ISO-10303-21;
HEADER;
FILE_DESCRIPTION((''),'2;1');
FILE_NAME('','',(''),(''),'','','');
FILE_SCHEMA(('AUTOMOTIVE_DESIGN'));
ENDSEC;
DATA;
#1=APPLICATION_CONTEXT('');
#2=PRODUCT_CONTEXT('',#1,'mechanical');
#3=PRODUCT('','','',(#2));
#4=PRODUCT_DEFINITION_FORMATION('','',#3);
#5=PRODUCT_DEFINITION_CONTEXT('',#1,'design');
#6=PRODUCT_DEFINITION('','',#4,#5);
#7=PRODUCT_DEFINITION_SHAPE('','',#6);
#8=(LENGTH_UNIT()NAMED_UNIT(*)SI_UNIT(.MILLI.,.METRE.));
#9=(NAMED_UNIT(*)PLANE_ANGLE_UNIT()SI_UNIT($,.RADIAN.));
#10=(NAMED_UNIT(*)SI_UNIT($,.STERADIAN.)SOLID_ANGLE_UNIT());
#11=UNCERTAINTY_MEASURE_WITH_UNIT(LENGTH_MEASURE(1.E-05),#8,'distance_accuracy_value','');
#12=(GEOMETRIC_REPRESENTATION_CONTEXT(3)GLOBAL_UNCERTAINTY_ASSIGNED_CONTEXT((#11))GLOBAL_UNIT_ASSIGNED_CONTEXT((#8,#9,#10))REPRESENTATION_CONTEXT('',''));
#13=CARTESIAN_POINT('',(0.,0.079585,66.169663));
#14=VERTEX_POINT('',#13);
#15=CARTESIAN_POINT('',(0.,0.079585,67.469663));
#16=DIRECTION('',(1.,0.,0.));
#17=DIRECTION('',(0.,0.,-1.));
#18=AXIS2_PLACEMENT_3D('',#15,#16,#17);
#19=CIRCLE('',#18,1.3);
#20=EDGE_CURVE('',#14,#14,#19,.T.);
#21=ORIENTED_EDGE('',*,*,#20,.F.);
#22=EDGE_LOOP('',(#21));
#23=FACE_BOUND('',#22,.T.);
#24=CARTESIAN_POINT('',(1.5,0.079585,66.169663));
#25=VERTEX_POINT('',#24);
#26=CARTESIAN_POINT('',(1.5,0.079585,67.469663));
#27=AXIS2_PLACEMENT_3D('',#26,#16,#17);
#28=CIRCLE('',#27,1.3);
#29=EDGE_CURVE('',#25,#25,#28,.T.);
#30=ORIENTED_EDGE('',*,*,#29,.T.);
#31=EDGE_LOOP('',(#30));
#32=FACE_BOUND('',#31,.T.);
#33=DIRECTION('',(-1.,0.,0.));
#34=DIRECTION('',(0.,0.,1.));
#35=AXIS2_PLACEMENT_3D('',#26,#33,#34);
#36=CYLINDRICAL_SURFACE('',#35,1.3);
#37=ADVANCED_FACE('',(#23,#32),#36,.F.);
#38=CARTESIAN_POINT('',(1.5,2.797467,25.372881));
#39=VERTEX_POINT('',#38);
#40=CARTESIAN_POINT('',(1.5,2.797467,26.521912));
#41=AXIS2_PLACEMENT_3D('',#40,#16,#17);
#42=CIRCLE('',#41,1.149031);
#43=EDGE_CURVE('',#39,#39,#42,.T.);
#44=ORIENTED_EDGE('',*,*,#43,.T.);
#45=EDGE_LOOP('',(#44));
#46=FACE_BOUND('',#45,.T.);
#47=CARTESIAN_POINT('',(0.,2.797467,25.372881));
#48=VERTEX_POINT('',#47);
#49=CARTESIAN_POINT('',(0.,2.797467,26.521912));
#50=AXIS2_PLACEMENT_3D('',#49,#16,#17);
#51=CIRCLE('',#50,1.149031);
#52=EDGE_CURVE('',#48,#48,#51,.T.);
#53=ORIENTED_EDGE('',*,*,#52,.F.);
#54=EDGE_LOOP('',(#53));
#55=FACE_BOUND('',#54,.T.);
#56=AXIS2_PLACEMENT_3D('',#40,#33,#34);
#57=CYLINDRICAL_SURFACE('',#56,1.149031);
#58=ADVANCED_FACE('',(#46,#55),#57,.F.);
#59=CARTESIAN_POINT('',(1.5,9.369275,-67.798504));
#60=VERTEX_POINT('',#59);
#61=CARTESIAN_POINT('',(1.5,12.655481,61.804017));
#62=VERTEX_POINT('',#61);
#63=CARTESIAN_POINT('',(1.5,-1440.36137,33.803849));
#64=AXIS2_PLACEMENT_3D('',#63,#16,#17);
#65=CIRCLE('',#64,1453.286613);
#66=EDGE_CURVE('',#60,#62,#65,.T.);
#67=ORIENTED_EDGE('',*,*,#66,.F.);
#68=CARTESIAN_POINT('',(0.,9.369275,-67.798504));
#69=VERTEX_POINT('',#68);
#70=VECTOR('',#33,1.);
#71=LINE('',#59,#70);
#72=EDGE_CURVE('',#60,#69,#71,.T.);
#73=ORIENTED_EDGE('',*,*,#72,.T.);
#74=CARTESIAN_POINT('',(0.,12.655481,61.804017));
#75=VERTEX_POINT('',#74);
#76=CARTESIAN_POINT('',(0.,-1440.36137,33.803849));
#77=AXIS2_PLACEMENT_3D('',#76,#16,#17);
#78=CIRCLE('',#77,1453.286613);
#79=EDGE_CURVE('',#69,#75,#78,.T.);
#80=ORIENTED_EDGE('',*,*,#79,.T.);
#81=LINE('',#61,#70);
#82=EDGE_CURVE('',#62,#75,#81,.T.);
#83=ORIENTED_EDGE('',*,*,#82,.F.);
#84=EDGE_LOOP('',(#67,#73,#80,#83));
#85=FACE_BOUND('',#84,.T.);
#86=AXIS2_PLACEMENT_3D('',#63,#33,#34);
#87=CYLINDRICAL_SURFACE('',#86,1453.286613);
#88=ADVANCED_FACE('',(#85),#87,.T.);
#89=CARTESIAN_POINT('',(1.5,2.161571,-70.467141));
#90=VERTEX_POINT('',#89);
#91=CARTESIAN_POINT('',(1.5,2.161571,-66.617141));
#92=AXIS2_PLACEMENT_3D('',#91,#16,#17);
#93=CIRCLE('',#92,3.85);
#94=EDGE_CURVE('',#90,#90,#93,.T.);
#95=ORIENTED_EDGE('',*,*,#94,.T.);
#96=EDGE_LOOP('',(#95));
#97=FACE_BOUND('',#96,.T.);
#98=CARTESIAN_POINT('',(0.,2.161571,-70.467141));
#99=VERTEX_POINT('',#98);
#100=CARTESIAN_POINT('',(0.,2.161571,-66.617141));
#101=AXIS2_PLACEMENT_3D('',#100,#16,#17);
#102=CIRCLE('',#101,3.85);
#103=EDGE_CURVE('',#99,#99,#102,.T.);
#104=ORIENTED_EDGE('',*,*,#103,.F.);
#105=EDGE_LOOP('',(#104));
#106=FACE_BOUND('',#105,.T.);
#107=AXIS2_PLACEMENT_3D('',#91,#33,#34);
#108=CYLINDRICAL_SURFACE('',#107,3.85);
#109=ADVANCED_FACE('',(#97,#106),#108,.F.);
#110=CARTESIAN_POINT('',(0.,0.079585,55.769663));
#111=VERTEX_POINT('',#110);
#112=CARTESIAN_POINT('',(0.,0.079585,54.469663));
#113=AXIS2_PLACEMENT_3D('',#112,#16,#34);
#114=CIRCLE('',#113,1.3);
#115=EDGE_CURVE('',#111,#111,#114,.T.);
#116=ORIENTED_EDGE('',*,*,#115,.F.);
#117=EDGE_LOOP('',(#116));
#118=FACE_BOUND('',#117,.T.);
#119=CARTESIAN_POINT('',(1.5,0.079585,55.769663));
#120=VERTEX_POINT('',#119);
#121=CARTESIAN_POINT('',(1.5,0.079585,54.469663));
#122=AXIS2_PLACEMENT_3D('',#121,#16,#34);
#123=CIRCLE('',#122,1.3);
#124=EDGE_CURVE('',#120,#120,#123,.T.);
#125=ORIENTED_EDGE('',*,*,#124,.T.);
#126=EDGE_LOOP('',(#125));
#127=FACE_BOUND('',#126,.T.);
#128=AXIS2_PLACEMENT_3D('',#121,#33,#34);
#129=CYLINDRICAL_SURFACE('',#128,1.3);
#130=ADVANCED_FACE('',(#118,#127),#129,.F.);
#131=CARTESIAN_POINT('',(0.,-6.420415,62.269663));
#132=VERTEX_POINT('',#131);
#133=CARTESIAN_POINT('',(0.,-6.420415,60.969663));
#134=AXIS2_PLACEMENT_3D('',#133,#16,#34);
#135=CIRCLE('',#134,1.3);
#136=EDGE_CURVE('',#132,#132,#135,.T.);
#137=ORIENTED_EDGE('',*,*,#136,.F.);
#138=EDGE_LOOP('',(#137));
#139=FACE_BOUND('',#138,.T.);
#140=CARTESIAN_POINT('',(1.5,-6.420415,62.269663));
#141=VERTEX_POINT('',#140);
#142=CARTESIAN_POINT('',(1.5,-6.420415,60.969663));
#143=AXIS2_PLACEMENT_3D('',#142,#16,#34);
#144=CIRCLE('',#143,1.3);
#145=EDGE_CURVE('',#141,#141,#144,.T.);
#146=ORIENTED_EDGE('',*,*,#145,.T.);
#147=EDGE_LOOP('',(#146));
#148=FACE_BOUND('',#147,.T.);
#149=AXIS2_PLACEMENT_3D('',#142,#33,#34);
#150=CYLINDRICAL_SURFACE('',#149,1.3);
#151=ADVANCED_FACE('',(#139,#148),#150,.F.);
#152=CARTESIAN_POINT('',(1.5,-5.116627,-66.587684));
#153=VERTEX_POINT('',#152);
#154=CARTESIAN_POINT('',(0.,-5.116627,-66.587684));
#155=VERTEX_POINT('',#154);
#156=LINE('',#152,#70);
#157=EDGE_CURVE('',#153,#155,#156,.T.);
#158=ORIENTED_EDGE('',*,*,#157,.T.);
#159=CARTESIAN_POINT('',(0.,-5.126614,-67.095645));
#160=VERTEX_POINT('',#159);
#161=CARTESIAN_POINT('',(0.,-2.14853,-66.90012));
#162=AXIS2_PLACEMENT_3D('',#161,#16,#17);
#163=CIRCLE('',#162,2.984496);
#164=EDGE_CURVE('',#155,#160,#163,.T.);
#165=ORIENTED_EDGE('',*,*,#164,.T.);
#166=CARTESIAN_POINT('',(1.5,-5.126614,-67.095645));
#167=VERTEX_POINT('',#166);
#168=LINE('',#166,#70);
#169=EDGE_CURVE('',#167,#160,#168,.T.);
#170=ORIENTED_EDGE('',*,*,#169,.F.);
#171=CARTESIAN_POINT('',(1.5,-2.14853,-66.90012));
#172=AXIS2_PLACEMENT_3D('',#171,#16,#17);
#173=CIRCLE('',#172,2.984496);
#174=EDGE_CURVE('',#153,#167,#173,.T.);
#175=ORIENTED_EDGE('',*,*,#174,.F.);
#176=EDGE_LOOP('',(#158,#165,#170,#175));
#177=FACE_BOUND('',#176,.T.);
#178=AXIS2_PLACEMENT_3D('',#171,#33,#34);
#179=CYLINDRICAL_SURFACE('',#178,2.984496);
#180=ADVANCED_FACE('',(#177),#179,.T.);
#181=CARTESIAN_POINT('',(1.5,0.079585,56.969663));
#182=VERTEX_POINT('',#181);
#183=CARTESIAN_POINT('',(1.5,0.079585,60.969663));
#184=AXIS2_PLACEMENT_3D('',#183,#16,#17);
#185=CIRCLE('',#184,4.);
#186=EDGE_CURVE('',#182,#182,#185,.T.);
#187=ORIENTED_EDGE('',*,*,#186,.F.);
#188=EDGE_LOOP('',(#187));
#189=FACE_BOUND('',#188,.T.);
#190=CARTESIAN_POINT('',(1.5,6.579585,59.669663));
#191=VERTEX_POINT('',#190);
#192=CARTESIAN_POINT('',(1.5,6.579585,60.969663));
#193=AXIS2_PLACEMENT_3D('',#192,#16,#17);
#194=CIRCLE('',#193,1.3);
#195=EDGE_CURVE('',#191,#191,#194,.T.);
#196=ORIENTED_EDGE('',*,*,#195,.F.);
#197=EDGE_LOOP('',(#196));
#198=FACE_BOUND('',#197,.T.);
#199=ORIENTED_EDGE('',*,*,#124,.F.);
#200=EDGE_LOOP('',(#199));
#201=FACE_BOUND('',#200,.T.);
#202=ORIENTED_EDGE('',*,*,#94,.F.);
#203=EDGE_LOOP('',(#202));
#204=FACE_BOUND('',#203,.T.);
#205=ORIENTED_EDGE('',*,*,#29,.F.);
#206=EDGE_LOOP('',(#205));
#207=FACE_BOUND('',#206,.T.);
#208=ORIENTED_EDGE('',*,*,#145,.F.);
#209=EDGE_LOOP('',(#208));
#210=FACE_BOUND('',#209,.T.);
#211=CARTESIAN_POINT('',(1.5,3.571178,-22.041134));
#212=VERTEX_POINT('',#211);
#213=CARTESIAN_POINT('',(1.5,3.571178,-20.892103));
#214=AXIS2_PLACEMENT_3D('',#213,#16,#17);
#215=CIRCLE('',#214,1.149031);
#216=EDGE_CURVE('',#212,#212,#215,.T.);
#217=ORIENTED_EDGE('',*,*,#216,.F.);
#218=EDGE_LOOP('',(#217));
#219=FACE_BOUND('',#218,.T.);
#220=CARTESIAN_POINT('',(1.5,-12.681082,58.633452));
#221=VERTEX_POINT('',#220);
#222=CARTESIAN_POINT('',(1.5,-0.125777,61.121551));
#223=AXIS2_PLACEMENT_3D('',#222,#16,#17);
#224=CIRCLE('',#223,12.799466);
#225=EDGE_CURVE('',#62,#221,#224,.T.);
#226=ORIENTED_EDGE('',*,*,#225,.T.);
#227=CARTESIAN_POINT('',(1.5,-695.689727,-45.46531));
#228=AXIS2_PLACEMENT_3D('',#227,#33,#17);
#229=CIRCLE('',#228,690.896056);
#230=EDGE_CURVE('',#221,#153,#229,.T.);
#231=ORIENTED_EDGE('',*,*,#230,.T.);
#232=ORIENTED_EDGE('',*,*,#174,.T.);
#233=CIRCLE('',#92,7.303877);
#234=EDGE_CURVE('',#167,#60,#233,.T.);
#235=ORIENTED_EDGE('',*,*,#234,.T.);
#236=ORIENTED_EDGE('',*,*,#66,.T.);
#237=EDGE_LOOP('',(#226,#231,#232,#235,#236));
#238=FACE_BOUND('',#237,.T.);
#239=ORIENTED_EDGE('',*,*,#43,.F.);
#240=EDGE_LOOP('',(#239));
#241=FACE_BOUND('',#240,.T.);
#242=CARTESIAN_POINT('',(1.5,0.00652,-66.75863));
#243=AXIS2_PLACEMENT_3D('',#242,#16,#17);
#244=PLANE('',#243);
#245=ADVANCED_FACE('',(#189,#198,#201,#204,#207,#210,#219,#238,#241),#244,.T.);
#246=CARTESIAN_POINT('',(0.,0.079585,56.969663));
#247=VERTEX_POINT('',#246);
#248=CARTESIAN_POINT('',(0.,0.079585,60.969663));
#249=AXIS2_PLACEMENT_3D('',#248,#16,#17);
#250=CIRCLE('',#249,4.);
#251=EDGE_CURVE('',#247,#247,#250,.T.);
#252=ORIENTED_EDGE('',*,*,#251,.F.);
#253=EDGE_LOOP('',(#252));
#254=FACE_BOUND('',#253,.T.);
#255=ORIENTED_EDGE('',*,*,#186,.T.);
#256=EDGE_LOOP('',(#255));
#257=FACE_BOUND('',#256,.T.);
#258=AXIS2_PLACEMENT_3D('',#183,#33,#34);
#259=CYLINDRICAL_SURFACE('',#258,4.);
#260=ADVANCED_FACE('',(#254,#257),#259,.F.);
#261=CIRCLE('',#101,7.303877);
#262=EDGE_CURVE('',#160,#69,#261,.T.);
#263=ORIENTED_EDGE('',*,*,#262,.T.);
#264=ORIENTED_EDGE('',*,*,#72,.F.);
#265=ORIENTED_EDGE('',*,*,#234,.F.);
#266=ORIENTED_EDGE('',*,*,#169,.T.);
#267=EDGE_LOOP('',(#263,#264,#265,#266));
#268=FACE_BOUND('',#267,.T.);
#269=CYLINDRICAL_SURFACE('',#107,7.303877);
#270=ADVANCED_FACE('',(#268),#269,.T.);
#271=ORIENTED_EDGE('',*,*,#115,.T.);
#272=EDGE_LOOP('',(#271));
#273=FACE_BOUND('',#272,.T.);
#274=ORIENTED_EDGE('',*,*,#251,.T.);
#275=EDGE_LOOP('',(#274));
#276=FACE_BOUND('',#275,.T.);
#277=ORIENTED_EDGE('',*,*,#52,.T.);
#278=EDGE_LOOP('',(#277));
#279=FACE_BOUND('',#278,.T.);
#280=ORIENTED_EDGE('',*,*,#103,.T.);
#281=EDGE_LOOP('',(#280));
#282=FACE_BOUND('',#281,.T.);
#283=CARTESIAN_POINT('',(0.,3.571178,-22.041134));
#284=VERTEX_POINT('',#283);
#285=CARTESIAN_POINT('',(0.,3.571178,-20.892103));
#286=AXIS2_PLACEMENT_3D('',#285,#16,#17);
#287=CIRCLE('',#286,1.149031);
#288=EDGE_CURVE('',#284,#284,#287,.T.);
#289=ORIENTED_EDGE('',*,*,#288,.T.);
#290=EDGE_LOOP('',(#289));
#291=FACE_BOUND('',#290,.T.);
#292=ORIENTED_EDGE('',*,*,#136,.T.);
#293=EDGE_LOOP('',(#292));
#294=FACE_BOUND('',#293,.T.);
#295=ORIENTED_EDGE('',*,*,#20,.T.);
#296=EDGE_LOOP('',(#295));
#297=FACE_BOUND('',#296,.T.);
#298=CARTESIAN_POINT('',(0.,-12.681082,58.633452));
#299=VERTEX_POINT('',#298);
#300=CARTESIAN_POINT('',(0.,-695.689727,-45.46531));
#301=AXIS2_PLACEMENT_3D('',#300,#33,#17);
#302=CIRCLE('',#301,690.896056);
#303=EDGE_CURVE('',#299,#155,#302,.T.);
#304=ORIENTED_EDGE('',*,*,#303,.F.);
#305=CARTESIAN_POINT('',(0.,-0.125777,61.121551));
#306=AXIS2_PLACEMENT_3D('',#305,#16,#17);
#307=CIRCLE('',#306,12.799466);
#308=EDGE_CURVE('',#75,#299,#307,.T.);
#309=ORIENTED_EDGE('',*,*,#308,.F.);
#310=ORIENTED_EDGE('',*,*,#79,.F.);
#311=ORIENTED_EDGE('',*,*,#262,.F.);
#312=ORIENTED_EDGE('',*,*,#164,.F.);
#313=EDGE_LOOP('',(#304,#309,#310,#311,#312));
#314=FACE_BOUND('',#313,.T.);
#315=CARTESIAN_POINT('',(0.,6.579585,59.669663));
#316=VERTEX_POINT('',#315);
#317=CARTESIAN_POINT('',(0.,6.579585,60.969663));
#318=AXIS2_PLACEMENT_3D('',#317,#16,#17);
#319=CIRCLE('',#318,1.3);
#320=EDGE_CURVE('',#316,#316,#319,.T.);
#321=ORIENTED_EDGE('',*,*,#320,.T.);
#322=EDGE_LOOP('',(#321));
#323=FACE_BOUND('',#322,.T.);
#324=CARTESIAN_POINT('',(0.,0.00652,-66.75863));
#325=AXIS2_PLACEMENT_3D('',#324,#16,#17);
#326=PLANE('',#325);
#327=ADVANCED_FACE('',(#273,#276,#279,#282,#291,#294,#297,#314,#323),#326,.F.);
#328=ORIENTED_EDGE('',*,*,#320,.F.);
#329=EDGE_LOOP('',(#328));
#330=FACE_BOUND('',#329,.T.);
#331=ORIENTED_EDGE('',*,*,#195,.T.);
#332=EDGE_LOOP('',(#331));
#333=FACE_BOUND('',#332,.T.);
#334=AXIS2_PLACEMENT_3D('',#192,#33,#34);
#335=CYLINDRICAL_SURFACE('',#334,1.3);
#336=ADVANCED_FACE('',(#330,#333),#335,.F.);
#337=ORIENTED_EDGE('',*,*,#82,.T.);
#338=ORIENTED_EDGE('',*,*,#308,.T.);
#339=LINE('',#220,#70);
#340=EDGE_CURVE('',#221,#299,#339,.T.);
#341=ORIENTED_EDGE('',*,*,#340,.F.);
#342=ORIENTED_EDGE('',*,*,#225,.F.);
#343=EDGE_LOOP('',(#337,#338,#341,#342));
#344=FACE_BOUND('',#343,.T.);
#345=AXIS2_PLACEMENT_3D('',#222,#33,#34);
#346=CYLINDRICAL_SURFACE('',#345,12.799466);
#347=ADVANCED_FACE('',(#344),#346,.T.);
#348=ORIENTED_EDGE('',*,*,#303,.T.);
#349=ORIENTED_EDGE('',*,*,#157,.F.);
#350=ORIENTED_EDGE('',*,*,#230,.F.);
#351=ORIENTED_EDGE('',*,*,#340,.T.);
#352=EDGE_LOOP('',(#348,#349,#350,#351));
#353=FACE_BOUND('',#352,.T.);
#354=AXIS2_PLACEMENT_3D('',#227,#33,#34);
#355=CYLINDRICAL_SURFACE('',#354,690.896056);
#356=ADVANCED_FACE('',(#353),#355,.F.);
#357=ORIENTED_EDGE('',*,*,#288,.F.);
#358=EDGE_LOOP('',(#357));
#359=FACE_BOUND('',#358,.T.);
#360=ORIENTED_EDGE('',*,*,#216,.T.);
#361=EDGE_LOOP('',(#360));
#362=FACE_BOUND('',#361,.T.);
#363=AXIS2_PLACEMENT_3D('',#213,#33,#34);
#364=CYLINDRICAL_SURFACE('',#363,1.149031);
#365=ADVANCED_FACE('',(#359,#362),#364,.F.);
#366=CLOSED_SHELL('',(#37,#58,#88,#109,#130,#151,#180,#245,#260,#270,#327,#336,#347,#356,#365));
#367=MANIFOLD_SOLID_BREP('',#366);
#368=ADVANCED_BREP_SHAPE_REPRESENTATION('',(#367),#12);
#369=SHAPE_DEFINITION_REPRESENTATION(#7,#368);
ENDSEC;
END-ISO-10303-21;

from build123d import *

# Parameters (mm, degrees)
SKETCH_1_R      = 1.3
SKETCH_1_R_2    = 3.85
SKETCH_1_R_3    = 4
SKETCH_1_R_4    = 1.149031008
EXTRUDE_1_DEPTH = 1.5


with BuildPart() as part:
    # 草圖1 → 填料-伸長1 (new body)
    with BuildSketch(Plane(origin=(0, 0, 0), x_dir=(0, 0, -1), z_dir=(1, 0, 0))):
        with BuildLine():
            ThreePointArc((66.587683924, -5.116627236), (3.80507147, -6.050846657), (-58.633451622, -12.681082444))
            ThreePointArc((-58.633451622, -12.681082444), (-73.821962275, -1.715080477), (-61.804017134, 12.655481431))
            ThreePointArc((-61.804017134, 12.655481431), (3.033906142, 12.458288366), (67.798504291, 9.369274541))
            ThreePointArc((67.798504291, 9.369274541), (73.912446594, 1.807845069), (67.095645487, -5.12661445))
            ThreePointArc((67.095645487, -5.12661445), (66.8414518, -5.132449469), (66.587683924, -5.116627236))
        make_face()
        with Locations((-67.469663313, 0.079585479)):
            Circle(SKETCH_1_R, mode=Mode.SUBTRACT)
        with Locations((-54.469663313, 0.079585479)):
            Circle(SKETCH_1_R, mode=Mode.SUBTRACT)
        with Locations((-60.969663313, 6.579585479)):
            Circle(SKETCH_1_R, mode=Mode.SUBTRACT)
        with Locations((-60.969663313, -6.420414521)):
            Circle(SKETCH_1_R, mode=Mode.SUBTRACT)
        with Locations((66.61714054, 2.16157088)):
            Circle(SKETCH_1_R_2, mode=Mode.SUBTRACT)
        with Locations((-60.969663313, 0.079585479)):
            Circle(SKETCH_1_R_3, mode=Mode.SUBTRACT)
        with Locations((20.89210292, 3.571177524)):
            Circle(SKETCH_1_R_4, mode=Mode.SUBTRACT)
        with Locations((-26.521912025, 2.797466734)):
            Circle(SKETCH_1_R_4, mode=Mode.SUBTRACT)
    extrude(amount=EXTRUDE_1_DEPTH)


solid = part.part
